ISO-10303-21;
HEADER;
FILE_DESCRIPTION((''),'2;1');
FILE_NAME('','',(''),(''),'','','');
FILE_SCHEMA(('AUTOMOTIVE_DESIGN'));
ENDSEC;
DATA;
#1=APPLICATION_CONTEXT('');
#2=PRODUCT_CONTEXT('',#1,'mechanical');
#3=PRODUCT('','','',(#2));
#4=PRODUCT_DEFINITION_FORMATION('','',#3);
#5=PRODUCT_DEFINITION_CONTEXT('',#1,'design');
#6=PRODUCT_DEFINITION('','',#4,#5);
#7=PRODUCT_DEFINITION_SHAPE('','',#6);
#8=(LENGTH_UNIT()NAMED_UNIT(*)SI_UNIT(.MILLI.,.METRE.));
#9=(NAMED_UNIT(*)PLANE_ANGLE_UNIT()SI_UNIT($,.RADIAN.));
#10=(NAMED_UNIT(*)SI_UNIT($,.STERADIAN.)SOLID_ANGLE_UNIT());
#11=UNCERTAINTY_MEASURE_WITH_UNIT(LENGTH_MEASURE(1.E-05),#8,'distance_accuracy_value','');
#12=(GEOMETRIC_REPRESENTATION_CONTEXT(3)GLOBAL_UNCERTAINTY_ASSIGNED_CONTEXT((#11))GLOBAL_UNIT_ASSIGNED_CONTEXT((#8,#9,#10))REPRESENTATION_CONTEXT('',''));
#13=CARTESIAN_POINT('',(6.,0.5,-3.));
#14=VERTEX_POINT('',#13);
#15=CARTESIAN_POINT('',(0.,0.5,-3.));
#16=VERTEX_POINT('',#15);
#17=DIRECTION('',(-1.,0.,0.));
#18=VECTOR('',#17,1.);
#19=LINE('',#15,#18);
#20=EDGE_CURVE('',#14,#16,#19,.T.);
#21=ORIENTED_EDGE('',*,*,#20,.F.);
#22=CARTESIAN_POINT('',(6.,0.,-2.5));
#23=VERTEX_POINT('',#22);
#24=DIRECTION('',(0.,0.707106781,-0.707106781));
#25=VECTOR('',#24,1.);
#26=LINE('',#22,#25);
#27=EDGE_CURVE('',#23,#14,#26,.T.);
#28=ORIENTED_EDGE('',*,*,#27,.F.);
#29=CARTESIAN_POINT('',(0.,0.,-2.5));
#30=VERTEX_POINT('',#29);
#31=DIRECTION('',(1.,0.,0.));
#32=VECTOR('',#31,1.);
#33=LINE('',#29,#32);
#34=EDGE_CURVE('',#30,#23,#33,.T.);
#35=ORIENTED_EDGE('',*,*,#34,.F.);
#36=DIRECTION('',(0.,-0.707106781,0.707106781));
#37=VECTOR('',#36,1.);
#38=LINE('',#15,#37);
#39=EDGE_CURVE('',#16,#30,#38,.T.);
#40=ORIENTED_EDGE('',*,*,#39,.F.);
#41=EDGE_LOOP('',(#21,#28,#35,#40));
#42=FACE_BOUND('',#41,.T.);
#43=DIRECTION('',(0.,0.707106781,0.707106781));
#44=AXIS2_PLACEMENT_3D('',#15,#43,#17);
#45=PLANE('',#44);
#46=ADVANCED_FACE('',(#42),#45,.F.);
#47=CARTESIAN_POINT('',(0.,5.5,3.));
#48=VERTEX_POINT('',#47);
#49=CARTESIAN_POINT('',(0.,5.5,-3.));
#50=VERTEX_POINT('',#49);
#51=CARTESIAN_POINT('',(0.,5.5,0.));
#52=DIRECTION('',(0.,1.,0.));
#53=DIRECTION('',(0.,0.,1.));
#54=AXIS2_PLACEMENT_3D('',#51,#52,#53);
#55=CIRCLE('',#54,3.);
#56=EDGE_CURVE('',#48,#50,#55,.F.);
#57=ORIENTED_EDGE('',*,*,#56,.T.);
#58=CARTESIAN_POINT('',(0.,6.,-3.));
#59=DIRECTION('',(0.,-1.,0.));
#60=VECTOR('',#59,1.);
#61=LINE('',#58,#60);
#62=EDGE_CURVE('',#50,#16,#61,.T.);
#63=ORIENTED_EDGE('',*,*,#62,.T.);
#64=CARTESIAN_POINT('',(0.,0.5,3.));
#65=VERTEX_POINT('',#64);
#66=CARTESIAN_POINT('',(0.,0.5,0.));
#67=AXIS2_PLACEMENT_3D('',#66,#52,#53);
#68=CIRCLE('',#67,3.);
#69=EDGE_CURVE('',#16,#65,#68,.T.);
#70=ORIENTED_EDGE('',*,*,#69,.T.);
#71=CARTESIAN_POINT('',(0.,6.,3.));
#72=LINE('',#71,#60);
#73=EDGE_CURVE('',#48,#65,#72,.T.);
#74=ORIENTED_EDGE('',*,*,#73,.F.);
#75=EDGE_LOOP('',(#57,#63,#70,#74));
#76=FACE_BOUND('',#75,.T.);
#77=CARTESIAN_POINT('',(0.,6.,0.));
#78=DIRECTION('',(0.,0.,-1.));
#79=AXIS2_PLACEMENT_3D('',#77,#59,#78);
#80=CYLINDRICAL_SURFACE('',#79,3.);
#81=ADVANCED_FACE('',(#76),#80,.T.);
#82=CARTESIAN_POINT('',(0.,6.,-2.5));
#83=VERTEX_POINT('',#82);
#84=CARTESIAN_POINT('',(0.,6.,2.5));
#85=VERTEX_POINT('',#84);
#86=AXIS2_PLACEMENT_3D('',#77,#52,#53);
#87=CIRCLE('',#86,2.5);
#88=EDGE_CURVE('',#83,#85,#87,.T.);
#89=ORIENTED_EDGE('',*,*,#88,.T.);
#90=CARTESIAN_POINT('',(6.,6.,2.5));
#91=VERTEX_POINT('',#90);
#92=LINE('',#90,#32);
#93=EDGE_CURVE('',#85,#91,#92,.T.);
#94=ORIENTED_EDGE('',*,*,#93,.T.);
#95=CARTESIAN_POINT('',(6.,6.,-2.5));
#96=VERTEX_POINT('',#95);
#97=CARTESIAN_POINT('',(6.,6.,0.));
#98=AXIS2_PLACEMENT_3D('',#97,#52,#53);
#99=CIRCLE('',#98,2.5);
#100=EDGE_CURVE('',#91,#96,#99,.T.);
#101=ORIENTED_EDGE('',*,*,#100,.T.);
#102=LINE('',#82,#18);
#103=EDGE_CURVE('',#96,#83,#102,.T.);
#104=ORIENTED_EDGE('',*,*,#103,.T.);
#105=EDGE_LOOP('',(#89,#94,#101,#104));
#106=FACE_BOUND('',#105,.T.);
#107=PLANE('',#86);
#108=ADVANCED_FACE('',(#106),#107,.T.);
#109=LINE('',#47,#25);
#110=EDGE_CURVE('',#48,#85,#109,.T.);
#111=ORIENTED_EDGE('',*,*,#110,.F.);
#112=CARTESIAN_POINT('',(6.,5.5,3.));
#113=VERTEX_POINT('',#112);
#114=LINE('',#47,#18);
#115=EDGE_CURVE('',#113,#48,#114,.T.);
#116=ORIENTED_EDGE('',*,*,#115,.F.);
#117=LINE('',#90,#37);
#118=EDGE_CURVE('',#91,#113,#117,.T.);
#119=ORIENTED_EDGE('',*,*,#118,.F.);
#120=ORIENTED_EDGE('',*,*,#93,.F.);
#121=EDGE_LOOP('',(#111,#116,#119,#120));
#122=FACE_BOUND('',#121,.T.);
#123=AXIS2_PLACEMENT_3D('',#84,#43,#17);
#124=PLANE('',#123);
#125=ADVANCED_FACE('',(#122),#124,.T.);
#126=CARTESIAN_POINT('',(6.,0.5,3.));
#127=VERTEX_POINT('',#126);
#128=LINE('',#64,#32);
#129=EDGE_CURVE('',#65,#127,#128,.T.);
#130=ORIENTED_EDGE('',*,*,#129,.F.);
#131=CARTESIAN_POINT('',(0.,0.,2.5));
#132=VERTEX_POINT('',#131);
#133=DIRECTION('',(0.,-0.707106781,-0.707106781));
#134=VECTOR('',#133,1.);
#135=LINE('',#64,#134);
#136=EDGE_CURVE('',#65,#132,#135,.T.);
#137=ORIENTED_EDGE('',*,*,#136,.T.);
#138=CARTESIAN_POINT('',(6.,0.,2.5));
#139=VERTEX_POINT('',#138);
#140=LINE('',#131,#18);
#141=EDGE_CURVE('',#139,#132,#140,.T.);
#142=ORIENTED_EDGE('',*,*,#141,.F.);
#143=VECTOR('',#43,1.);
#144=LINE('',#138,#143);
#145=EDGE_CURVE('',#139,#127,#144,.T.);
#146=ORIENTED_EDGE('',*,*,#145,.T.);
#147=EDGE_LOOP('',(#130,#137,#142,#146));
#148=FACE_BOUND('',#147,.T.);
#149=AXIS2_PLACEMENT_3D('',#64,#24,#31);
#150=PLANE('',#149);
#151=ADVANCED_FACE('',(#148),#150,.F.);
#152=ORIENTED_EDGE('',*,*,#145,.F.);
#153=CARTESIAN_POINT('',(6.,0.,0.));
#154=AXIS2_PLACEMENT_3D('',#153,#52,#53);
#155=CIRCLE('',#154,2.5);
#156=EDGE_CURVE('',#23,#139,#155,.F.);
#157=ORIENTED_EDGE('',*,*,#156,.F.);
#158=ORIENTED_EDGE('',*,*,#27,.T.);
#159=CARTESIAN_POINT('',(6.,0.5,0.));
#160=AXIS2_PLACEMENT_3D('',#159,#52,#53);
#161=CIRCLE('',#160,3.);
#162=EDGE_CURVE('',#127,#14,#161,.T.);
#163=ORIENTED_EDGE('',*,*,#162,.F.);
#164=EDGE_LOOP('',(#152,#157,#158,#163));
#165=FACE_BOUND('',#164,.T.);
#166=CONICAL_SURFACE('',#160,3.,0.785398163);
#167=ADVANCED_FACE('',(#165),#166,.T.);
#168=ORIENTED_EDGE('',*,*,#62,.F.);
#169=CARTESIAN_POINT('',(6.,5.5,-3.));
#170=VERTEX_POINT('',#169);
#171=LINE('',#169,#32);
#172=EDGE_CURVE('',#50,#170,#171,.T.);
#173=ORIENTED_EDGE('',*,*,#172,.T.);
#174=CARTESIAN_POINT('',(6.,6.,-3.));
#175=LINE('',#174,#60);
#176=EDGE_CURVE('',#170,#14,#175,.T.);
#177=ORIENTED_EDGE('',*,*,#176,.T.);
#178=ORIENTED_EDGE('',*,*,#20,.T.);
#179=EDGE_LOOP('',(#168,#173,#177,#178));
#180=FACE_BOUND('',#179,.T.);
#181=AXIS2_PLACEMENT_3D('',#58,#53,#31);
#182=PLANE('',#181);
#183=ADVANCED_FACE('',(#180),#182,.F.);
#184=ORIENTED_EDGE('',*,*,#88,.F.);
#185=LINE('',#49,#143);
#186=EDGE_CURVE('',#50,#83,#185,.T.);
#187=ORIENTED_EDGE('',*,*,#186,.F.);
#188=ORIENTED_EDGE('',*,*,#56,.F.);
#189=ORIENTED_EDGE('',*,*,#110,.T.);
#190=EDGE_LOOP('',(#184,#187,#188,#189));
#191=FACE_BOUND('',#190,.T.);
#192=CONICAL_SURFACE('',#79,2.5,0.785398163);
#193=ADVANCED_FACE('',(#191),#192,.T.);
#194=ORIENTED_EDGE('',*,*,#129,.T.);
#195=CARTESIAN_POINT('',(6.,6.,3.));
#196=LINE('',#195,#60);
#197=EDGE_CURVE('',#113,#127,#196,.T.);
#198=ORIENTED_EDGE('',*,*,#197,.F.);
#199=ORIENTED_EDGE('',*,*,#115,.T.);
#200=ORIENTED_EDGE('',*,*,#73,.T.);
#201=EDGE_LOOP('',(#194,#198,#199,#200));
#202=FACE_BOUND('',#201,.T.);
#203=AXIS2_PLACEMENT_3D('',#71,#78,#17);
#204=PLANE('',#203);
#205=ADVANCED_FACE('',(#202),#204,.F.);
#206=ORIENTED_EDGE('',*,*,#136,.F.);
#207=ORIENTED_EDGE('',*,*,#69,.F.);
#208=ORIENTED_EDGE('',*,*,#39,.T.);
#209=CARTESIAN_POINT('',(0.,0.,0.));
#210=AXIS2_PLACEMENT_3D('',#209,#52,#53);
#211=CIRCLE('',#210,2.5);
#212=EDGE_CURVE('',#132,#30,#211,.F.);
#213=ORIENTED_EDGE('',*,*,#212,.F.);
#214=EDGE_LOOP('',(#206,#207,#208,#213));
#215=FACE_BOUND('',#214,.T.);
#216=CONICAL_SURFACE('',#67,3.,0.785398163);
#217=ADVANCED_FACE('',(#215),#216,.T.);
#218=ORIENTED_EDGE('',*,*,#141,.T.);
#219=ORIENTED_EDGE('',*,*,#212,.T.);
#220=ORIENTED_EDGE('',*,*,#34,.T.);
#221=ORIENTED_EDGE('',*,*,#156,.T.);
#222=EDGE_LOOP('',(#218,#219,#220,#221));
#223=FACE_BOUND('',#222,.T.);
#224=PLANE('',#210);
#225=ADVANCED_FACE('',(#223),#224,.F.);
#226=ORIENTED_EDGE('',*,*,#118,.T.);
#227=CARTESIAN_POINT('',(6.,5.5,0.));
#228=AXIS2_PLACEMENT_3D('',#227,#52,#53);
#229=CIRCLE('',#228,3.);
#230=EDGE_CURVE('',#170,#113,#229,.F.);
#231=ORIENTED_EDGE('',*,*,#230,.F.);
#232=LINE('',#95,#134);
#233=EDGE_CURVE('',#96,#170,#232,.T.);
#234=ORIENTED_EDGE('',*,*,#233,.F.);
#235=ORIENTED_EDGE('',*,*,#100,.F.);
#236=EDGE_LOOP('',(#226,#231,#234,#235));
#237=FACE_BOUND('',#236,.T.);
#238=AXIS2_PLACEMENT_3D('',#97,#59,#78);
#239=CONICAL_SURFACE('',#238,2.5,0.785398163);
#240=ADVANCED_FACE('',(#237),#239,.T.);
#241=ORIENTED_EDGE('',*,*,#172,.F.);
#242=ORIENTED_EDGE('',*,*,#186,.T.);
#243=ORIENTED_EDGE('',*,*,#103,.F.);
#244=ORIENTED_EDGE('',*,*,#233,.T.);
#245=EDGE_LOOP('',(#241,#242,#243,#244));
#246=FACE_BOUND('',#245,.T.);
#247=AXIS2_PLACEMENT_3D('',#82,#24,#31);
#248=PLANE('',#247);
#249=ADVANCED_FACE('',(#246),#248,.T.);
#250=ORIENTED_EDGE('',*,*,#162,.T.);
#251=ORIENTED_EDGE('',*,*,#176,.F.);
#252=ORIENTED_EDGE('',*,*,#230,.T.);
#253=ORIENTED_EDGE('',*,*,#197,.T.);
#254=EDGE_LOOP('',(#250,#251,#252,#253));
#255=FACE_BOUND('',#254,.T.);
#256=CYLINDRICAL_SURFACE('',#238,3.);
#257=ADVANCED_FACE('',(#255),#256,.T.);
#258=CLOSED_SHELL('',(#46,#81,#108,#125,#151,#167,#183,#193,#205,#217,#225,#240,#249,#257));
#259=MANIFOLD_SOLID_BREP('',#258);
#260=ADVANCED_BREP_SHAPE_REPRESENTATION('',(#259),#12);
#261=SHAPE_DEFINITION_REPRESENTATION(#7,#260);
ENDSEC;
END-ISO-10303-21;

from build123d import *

# Parameters (mm, degrees)
EXTRUDE_1_DEPTH = 6
CHAMFER_1_SIZE  = 0.5


with BuildPart() as part:
    # 草图1 → 凸台-拉伸1 (new body)
    with BuildSketch(Plane(origin=(0, 0, 0), x_dir=(1, 0, 0), z_dir=(0, 1, 0))):
        with BuildLine():
            Line((0, 3), (6, 3))
            ThreePointArc((6, 3), (9, 0), (6, -3))
            Line((6, -3), (0, -3))
            ThreePointArc((0, -3), (-3, 0), (0, 3))
        make_face()
    extrude(amount=EXTRUDE_1_DEPTH)

    # 倒角1
    chamfer_1_edges = [part.edges().sort_by_distance(p)[0] for p in [
        (9, 6, 0),
        (3, 6, -3),
        (-3, 6, 0),
        (3, 0, -3),
        (9, 0, 0),
        (3, 0, 3),
        (-3, 0, 0),
        (3, 6, 3),
    ]]
    chamfer(chamfer_1_edges, length=CHAMFER_1_SIZE)


solid = part.part
